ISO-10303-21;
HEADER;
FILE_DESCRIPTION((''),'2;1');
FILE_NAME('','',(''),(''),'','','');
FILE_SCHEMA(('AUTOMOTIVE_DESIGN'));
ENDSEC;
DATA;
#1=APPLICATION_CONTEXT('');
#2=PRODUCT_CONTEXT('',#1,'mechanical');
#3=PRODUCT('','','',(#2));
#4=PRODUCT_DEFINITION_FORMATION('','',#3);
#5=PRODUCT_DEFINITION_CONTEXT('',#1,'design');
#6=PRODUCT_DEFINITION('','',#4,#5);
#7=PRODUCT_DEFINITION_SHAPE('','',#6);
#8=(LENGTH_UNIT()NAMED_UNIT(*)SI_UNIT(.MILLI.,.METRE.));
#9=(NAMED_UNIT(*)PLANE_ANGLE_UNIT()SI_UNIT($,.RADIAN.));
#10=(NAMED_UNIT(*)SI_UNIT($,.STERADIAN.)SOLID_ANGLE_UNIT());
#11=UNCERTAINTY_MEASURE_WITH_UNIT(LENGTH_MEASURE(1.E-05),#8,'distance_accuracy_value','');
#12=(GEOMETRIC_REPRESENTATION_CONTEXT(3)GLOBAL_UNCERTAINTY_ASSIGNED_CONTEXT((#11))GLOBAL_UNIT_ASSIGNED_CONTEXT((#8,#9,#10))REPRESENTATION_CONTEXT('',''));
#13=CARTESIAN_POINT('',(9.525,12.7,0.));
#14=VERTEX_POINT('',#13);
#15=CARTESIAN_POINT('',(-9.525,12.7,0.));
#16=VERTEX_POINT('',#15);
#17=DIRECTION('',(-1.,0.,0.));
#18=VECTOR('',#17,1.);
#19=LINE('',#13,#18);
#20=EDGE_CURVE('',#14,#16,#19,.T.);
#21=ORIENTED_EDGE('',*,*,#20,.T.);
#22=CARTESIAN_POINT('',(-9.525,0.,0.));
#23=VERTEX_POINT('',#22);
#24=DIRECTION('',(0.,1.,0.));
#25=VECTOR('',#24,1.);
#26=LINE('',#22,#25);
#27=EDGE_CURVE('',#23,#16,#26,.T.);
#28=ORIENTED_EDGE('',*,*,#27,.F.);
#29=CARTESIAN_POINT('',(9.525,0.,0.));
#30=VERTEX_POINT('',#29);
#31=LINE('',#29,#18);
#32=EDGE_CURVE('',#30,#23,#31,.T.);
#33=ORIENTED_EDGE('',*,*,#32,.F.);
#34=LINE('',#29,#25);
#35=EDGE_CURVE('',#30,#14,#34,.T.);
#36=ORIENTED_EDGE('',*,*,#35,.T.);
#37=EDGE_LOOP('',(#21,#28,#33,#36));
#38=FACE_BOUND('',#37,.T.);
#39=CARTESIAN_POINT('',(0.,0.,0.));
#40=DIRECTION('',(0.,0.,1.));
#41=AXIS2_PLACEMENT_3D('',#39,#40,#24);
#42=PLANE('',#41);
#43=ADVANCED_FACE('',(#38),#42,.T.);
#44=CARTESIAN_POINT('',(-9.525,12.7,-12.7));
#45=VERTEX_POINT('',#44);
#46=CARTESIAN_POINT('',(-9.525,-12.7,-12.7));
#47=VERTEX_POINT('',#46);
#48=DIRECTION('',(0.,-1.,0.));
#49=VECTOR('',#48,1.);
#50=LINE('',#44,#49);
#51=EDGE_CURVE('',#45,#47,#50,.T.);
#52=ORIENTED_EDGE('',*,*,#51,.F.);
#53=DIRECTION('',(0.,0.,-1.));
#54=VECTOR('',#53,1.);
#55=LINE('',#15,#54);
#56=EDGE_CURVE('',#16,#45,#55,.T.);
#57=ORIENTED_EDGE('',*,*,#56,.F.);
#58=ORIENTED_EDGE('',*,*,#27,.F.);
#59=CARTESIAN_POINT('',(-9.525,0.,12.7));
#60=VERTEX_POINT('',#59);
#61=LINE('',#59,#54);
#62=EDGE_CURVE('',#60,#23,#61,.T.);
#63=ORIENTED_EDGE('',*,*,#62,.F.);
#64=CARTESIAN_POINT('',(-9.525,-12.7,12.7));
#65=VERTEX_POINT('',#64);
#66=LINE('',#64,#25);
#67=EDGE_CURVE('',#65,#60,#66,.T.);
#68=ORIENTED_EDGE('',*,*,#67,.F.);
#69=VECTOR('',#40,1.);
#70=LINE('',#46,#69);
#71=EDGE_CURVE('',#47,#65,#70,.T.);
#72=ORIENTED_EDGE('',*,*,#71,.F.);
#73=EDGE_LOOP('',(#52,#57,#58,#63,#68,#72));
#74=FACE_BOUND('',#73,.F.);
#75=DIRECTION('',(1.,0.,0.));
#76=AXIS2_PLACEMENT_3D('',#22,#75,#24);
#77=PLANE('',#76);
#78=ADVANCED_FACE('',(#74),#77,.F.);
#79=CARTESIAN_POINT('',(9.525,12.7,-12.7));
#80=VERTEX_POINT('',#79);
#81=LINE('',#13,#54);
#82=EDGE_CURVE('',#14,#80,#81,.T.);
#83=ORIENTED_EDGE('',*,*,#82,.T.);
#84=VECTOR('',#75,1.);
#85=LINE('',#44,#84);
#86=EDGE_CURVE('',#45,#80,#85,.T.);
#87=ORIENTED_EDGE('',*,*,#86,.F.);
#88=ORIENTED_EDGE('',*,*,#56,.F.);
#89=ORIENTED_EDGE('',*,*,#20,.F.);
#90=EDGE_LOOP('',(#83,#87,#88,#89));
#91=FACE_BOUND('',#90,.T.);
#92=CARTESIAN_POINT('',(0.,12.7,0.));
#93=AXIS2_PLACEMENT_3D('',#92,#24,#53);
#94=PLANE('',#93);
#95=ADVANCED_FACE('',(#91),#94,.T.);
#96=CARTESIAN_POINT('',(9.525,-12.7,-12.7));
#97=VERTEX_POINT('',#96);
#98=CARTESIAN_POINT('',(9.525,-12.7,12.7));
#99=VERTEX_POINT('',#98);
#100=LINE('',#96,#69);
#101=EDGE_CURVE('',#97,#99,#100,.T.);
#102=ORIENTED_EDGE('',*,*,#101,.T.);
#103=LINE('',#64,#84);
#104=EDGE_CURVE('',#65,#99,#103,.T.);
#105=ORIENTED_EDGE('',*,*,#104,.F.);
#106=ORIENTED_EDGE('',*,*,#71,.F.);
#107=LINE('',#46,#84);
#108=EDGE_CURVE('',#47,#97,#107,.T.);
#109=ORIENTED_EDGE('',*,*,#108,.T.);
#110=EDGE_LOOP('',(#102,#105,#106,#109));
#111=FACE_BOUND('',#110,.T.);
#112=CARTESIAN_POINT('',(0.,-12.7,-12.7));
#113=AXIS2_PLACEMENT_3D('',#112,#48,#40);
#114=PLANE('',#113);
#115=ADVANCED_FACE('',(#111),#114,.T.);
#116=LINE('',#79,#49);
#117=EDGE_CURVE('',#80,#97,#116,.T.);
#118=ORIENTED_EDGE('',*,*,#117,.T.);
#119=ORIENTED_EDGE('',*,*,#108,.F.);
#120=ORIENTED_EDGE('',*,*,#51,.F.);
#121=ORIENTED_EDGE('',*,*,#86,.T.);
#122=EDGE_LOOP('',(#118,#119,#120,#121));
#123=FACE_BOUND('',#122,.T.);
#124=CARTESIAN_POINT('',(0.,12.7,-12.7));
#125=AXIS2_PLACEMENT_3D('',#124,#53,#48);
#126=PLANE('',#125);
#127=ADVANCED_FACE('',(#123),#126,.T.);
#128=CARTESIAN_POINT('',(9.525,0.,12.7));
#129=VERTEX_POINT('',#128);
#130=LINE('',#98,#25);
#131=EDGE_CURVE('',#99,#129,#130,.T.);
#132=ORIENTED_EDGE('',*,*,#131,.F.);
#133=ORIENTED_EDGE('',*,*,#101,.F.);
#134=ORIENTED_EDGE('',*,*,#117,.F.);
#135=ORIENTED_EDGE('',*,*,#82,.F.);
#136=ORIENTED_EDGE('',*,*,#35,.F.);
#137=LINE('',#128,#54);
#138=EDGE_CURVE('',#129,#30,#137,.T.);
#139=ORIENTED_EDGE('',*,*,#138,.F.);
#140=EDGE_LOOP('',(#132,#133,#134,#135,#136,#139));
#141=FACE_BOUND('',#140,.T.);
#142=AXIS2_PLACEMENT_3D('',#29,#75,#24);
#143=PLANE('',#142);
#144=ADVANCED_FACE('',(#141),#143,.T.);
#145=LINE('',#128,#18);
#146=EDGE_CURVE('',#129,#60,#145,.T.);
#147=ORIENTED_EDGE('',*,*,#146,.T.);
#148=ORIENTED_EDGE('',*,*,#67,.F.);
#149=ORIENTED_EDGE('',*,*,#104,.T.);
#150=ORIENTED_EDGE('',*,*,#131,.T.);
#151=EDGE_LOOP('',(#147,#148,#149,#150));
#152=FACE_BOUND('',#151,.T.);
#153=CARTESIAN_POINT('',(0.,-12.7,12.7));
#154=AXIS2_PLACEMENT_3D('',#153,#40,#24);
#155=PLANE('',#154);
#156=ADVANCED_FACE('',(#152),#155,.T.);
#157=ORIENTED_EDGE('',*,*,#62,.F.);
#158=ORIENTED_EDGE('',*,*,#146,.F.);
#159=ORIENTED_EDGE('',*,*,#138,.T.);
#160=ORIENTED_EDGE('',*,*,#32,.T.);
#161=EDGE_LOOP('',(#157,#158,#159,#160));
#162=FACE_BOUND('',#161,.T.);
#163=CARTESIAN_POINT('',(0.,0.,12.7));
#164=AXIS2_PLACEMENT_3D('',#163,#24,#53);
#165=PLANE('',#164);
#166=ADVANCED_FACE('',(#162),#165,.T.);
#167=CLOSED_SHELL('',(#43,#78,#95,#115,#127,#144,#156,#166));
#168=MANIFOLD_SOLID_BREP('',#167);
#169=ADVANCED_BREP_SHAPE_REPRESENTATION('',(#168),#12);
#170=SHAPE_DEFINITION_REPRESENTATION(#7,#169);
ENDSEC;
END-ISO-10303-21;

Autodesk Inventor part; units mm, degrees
ref_plane "YZ Plane" through (0, 0, 0) normal (1, 0, 0) x (0, 1, 0)
ref_plane "XZ Plane" through (0, 0, 0) normal (0, 1, 0) x (-1, 0, 0)
ref_plane "XY Plane" through (0, 0, 0) normal (0, 0, 1) x (1, 0, 0)
sketch "Sketch1" plane through (0, 0, 0) normal (1, 0, 0) x (0, 1, 0)
  line L0 (-12.7, 12.7) -> (0, 12.7)
  line L1 (12.7, 0) -> (12.7, -12.7)
  line L2 (12.7, -12.7) -> (-12.7, -12.7)
  line L3 (-12.7, -12.7) -> (-12.7, 12.7)
  line L4 (-12.7, 12.7) -> (12.7, -12.7) construction
  line L5 (0, 0) -> (-12.7, -12.7) construction
  line L6 (0, 0) -> (12.7, 0)
  line L7 (0, 12.7) -> (0, 0)
  line L8 (12.7, 0) -> (0, 0)
  dimension "d0" = 25.4
extrude "Extrusion1" add sketch "Sketch1" along normal mid plane 19.05
ref_plane "Work Plane2" through (29.3294, 29.3294, 29.3294) normal (0.5774, 0.5774, 0.5774) x (0.7071, 0, -0.7071)
ref_plane "Work Plane1" through (0, 0, 0) normal (0.5774, 0.5774, 0.5774) x (0.7071, 0, -0.7071)
sketch "Sketch2" plane through (29.3294, 29.3294, 29.3294) normal (0.5774, 0.5774, 0.5774) x (0.7071, 0, -0.7071)
  line L0 (-6.7352, 14.2581) -> (6.7352, 6.4809) construction
  line L1 (15.7154, 11.6657) -> (6.7352, 6.4809) construction
  line L2 (2.2451, 19.4428) -> (15.7154, 11.6657) construction
  line L3 (-6.7352, 14.2581) -> (2.2451, 19.4428) construction
  line L4 (-6.7352, 3.8886) -> (6.7352, -3.8886) construction
  line L5 (6.7352, 6.4809) -> (6.7352, -3.8886) construction
  line L6 (-6.7352, 14.2581) -> (6.7352, 6.4809) construction
  line L7 (-6.7352, 3.8886) -> (-6.7352, 14.2581) construction
  line L8 (-2.2451, -9.0733) -> (-15.7154, -1.2962) construction
  line L9 (6.7352, -3.8886) -> (-2.2451, -9.0733) construction
  line L10 (-6.7352, 3.8886) -> (6.7352, -3.8886) construction
  line L11 (-15.7154, -1.2962) -> (-6.7352, 3.8886) construction
  line L12 (-15.7154, -11.6657) -> (-2.2451, -19.4428) construction
  line L13 (-2.2451, -9.0733) -> (-2.2451, -19.4428) construction
  line L14 (-2.2451, -9.0733) -> (-15.7154, -1.2962) construction
  line L15 (-15.7154, -11.6657) -> (-15.7154, -1.2962) construction
  line L16 (-2.2451, -9.0733) -> (-2.2451, -19.4428) construction
  line L17 (-2.2451, -19.4428) -> (15.7154, -9.0733) construction
  line L18 (15.7154, -9.0733) -> (15.7154, 11.6657) construction
  line L19 (15.7154, 11.6657) -> (6.7352, 6.4809) construction
  line L20 (6.7352, 6.4809) -> (6.7352, -3.8886) construction
  line L21 (6.7352, -3.8886) -> (-2.2451, -9.0733) construction
  line L22 (6.7352, 6.7742) -> (-6.2272, 14.2581)
  line L23 (-6.2272, 14.2581) -> (2.2451, 19.1495)
  line L24 (2.2451, 19.1495) -> (15.2074, 11.6657)
  line L25 (15.2074, 11.6657) -> (6.7352, 6.7742)
  line L26 (-6.4812, 13.8181) -> (6.4812, 6.3343)
  line L27 (6.4812, 6.3343) -> (6.4812, -3.4486)
  line L28 (6.4812, -3.4486) -> (-6.4812, 4.0352)
  line L29 (-6.4812, 4.0352) -> (-6.4812, 13.8181)
  line L30 (-6.7352, 3.5953) -> (6.2272, -3.8886)
  line L31 (6.2272, -3.8886) -> (-2.2451, -8.78)
  line L32 (-2.2451, -8.78) -> (-15.2074, -1.2962)
  line L33 (-15.2074, -1.2962) -> (-6.7352, 3.5953)
  line L34 (-15.4614, -1.7361) -> (-2.4991, -9.22)
  line L35 (-2.4991, -9.22) -> (-2.4991, -19.0029)
  line L36 (-2.4991, -19.0029) -> (-15.4614, -11.519)
  line L37 (-15.4614, -11.519) -> (-15.4614, -1.7361)
  line L38 (15.4614, 11.2258) -> (15.4614, -8.9267)
  line L39 (15.4614, -8.9267) -> (-1.9911, -19.0029)
  line L40 (-1.9911, -19.0029) -> (-1.9911, -9.22)
  line L41 (-1.9911, -9.22) -> (6.9892, -4.0352)
  line L42 (6.9892, -4.0352) -> (6.9892, 6.3343)
  line L43 (6.9892, 6.3343) -> (15.4614, 11.2258)
  point P0 (0, 0)
  dimension "d5" = 0.254
  dimension "d6" = 0.254
  dimension "d7" = 0.254
  dimension "d8" = 0.254
  dimension "d9" = 0.254
equation "\"d5\" = 0.5 * spacing"
equation "\"d6\" = 0.5 * spacing"
equation "\"d7\" = 0.5 * spacing"
equation "\"d8\" = 0.5 * spacing"
equation "\"d9\" = 0.5 * spacing"
equation "\"spacing\" = 0.508"
properties part number "iso"
